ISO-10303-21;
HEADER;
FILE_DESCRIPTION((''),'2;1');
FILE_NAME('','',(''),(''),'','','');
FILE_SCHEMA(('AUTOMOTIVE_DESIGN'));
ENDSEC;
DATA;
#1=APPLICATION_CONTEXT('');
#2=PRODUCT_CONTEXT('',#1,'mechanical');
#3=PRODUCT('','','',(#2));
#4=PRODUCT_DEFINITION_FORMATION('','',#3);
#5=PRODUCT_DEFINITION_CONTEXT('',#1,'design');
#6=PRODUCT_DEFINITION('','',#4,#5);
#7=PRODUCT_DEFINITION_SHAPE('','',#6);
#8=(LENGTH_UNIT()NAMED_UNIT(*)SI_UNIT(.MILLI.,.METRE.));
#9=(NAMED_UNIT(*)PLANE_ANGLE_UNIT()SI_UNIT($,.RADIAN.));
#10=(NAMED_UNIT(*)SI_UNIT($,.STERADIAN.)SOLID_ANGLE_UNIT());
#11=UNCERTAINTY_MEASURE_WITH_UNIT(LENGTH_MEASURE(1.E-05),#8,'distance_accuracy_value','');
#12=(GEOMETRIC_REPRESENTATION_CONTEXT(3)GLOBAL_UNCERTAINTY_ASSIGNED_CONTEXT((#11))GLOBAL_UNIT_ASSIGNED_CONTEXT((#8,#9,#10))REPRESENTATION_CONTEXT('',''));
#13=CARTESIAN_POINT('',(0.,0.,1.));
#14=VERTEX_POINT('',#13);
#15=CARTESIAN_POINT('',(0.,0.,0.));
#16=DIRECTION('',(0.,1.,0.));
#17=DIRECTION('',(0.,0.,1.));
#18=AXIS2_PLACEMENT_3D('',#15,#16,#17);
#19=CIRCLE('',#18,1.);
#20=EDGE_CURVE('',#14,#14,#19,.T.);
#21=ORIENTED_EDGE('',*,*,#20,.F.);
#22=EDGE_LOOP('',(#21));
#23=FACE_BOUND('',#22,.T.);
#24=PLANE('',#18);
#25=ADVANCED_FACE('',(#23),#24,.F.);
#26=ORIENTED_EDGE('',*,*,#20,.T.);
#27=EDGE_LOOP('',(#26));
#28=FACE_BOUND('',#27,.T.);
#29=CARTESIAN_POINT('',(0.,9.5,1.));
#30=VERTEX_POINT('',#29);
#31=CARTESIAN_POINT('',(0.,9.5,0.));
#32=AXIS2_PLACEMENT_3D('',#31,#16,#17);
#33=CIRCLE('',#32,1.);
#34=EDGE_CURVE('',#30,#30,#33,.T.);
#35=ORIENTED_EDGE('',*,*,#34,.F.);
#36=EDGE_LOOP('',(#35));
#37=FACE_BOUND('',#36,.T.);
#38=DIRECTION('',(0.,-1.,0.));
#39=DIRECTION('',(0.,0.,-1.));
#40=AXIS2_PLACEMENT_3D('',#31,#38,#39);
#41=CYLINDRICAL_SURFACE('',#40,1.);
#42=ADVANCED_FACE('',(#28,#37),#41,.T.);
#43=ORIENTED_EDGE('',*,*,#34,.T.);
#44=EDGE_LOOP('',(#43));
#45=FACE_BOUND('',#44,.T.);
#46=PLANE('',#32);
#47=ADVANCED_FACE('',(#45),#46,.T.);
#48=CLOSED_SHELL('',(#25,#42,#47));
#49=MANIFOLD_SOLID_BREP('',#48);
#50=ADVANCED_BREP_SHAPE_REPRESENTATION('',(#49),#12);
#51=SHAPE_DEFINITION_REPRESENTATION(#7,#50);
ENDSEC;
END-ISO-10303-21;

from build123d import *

# Parameters (mm, degrees)
SKETCH1_R           = 1
BOSS_EXTRUDE1_DEPTH = 9.5


with BuildPart() as part:
    # Sketch1 → Boss-Extrude1 (new body)
    with BuildSketch(Plane(origin=(0, 0, 0), x_dir=(1, 0, 0), z_dir=(0, 1, 0))):
        Circle(SKETCH1_R)
    extrude(amount=BOSS_EXTRUDE1_DEPTH)


solid = part.part
